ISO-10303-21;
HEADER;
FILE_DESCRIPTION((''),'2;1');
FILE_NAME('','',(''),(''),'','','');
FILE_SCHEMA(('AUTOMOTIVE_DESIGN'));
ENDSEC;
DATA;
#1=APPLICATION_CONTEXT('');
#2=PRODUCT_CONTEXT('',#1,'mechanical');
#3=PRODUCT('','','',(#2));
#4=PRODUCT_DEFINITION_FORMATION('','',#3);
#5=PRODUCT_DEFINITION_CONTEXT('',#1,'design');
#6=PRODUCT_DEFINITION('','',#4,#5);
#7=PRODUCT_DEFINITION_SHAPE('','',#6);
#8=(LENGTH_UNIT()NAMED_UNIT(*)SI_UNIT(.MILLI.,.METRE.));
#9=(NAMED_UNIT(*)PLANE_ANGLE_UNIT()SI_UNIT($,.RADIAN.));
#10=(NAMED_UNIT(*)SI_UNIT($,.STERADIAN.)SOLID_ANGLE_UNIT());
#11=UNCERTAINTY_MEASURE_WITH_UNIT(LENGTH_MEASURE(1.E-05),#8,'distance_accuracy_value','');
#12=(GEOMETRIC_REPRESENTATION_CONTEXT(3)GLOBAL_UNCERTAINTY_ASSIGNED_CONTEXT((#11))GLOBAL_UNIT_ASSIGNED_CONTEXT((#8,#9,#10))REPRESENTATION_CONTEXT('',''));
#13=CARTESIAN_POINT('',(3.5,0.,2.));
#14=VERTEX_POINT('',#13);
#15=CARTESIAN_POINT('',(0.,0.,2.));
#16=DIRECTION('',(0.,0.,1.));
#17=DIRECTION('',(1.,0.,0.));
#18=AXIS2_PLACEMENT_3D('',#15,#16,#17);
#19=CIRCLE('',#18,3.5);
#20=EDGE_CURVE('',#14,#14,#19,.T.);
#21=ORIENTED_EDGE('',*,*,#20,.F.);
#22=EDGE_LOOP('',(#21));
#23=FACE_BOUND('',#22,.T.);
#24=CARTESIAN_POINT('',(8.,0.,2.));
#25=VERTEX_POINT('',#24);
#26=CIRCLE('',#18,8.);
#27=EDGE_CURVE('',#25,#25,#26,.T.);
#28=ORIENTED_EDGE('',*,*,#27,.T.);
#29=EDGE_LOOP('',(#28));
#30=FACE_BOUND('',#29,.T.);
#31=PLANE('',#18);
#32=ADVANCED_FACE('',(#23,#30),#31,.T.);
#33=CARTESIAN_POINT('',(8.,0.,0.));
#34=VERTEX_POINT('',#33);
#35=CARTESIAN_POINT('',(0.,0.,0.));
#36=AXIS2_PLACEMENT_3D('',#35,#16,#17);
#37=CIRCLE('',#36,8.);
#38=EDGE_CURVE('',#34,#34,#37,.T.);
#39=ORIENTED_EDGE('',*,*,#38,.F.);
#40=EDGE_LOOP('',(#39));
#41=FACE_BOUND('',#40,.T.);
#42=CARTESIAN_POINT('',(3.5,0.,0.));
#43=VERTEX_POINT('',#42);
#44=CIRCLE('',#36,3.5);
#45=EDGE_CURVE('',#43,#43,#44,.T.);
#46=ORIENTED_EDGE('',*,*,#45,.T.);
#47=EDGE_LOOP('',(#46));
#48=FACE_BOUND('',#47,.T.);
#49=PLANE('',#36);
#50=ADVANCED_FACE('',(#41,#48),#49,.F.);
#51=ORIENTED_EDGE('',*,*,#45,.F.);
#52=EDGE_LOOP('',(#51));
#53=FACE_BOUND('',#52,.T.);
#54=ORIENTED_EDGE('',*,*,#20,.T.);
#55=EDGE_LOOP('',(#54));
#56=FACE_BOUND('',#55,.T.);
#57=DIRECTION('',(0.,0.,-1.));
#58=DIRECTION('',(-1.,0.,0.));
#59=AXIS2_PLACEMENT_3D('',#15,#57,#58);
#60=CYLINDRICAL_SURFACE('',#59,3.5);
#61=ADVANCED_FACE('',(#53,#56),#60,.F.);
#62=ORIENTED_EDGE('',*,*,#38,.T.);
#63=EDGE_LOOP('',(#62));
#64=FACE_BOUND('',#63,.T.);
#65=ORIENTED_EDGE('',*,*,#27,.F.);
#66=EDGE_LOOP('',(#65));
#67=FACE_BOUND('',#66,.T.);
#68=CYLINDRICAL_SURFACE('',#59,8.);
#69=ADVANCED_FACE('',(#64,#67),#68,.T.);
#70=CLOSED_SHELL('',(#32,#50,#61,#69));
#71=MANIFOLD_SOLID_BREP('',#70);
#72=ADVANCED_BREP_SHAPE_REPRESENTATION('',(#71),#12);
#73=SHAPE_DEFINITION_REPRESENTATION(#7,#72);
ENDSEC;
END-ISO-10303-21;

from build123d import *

# Parameters (mm, degrees)
ESBO_O1_R                = 8
ESBO_O1_R_2              = 3.5
RESSALTO_EXTRUS_O1_DEPTH = 2


with BuildPart() as part:
    # Esboço1 → Ressalto-extrusão1 (new body)
    with BuildSketch(Plane.XY):
        Circle(ESBO_O1_R)
        Circle(ESBO_O1_R_2, mode=Mode.SUBTRACT)
    extrude(amount=RESSALTO_EXTRUS_O1_DEPTH)


solid = part.part
